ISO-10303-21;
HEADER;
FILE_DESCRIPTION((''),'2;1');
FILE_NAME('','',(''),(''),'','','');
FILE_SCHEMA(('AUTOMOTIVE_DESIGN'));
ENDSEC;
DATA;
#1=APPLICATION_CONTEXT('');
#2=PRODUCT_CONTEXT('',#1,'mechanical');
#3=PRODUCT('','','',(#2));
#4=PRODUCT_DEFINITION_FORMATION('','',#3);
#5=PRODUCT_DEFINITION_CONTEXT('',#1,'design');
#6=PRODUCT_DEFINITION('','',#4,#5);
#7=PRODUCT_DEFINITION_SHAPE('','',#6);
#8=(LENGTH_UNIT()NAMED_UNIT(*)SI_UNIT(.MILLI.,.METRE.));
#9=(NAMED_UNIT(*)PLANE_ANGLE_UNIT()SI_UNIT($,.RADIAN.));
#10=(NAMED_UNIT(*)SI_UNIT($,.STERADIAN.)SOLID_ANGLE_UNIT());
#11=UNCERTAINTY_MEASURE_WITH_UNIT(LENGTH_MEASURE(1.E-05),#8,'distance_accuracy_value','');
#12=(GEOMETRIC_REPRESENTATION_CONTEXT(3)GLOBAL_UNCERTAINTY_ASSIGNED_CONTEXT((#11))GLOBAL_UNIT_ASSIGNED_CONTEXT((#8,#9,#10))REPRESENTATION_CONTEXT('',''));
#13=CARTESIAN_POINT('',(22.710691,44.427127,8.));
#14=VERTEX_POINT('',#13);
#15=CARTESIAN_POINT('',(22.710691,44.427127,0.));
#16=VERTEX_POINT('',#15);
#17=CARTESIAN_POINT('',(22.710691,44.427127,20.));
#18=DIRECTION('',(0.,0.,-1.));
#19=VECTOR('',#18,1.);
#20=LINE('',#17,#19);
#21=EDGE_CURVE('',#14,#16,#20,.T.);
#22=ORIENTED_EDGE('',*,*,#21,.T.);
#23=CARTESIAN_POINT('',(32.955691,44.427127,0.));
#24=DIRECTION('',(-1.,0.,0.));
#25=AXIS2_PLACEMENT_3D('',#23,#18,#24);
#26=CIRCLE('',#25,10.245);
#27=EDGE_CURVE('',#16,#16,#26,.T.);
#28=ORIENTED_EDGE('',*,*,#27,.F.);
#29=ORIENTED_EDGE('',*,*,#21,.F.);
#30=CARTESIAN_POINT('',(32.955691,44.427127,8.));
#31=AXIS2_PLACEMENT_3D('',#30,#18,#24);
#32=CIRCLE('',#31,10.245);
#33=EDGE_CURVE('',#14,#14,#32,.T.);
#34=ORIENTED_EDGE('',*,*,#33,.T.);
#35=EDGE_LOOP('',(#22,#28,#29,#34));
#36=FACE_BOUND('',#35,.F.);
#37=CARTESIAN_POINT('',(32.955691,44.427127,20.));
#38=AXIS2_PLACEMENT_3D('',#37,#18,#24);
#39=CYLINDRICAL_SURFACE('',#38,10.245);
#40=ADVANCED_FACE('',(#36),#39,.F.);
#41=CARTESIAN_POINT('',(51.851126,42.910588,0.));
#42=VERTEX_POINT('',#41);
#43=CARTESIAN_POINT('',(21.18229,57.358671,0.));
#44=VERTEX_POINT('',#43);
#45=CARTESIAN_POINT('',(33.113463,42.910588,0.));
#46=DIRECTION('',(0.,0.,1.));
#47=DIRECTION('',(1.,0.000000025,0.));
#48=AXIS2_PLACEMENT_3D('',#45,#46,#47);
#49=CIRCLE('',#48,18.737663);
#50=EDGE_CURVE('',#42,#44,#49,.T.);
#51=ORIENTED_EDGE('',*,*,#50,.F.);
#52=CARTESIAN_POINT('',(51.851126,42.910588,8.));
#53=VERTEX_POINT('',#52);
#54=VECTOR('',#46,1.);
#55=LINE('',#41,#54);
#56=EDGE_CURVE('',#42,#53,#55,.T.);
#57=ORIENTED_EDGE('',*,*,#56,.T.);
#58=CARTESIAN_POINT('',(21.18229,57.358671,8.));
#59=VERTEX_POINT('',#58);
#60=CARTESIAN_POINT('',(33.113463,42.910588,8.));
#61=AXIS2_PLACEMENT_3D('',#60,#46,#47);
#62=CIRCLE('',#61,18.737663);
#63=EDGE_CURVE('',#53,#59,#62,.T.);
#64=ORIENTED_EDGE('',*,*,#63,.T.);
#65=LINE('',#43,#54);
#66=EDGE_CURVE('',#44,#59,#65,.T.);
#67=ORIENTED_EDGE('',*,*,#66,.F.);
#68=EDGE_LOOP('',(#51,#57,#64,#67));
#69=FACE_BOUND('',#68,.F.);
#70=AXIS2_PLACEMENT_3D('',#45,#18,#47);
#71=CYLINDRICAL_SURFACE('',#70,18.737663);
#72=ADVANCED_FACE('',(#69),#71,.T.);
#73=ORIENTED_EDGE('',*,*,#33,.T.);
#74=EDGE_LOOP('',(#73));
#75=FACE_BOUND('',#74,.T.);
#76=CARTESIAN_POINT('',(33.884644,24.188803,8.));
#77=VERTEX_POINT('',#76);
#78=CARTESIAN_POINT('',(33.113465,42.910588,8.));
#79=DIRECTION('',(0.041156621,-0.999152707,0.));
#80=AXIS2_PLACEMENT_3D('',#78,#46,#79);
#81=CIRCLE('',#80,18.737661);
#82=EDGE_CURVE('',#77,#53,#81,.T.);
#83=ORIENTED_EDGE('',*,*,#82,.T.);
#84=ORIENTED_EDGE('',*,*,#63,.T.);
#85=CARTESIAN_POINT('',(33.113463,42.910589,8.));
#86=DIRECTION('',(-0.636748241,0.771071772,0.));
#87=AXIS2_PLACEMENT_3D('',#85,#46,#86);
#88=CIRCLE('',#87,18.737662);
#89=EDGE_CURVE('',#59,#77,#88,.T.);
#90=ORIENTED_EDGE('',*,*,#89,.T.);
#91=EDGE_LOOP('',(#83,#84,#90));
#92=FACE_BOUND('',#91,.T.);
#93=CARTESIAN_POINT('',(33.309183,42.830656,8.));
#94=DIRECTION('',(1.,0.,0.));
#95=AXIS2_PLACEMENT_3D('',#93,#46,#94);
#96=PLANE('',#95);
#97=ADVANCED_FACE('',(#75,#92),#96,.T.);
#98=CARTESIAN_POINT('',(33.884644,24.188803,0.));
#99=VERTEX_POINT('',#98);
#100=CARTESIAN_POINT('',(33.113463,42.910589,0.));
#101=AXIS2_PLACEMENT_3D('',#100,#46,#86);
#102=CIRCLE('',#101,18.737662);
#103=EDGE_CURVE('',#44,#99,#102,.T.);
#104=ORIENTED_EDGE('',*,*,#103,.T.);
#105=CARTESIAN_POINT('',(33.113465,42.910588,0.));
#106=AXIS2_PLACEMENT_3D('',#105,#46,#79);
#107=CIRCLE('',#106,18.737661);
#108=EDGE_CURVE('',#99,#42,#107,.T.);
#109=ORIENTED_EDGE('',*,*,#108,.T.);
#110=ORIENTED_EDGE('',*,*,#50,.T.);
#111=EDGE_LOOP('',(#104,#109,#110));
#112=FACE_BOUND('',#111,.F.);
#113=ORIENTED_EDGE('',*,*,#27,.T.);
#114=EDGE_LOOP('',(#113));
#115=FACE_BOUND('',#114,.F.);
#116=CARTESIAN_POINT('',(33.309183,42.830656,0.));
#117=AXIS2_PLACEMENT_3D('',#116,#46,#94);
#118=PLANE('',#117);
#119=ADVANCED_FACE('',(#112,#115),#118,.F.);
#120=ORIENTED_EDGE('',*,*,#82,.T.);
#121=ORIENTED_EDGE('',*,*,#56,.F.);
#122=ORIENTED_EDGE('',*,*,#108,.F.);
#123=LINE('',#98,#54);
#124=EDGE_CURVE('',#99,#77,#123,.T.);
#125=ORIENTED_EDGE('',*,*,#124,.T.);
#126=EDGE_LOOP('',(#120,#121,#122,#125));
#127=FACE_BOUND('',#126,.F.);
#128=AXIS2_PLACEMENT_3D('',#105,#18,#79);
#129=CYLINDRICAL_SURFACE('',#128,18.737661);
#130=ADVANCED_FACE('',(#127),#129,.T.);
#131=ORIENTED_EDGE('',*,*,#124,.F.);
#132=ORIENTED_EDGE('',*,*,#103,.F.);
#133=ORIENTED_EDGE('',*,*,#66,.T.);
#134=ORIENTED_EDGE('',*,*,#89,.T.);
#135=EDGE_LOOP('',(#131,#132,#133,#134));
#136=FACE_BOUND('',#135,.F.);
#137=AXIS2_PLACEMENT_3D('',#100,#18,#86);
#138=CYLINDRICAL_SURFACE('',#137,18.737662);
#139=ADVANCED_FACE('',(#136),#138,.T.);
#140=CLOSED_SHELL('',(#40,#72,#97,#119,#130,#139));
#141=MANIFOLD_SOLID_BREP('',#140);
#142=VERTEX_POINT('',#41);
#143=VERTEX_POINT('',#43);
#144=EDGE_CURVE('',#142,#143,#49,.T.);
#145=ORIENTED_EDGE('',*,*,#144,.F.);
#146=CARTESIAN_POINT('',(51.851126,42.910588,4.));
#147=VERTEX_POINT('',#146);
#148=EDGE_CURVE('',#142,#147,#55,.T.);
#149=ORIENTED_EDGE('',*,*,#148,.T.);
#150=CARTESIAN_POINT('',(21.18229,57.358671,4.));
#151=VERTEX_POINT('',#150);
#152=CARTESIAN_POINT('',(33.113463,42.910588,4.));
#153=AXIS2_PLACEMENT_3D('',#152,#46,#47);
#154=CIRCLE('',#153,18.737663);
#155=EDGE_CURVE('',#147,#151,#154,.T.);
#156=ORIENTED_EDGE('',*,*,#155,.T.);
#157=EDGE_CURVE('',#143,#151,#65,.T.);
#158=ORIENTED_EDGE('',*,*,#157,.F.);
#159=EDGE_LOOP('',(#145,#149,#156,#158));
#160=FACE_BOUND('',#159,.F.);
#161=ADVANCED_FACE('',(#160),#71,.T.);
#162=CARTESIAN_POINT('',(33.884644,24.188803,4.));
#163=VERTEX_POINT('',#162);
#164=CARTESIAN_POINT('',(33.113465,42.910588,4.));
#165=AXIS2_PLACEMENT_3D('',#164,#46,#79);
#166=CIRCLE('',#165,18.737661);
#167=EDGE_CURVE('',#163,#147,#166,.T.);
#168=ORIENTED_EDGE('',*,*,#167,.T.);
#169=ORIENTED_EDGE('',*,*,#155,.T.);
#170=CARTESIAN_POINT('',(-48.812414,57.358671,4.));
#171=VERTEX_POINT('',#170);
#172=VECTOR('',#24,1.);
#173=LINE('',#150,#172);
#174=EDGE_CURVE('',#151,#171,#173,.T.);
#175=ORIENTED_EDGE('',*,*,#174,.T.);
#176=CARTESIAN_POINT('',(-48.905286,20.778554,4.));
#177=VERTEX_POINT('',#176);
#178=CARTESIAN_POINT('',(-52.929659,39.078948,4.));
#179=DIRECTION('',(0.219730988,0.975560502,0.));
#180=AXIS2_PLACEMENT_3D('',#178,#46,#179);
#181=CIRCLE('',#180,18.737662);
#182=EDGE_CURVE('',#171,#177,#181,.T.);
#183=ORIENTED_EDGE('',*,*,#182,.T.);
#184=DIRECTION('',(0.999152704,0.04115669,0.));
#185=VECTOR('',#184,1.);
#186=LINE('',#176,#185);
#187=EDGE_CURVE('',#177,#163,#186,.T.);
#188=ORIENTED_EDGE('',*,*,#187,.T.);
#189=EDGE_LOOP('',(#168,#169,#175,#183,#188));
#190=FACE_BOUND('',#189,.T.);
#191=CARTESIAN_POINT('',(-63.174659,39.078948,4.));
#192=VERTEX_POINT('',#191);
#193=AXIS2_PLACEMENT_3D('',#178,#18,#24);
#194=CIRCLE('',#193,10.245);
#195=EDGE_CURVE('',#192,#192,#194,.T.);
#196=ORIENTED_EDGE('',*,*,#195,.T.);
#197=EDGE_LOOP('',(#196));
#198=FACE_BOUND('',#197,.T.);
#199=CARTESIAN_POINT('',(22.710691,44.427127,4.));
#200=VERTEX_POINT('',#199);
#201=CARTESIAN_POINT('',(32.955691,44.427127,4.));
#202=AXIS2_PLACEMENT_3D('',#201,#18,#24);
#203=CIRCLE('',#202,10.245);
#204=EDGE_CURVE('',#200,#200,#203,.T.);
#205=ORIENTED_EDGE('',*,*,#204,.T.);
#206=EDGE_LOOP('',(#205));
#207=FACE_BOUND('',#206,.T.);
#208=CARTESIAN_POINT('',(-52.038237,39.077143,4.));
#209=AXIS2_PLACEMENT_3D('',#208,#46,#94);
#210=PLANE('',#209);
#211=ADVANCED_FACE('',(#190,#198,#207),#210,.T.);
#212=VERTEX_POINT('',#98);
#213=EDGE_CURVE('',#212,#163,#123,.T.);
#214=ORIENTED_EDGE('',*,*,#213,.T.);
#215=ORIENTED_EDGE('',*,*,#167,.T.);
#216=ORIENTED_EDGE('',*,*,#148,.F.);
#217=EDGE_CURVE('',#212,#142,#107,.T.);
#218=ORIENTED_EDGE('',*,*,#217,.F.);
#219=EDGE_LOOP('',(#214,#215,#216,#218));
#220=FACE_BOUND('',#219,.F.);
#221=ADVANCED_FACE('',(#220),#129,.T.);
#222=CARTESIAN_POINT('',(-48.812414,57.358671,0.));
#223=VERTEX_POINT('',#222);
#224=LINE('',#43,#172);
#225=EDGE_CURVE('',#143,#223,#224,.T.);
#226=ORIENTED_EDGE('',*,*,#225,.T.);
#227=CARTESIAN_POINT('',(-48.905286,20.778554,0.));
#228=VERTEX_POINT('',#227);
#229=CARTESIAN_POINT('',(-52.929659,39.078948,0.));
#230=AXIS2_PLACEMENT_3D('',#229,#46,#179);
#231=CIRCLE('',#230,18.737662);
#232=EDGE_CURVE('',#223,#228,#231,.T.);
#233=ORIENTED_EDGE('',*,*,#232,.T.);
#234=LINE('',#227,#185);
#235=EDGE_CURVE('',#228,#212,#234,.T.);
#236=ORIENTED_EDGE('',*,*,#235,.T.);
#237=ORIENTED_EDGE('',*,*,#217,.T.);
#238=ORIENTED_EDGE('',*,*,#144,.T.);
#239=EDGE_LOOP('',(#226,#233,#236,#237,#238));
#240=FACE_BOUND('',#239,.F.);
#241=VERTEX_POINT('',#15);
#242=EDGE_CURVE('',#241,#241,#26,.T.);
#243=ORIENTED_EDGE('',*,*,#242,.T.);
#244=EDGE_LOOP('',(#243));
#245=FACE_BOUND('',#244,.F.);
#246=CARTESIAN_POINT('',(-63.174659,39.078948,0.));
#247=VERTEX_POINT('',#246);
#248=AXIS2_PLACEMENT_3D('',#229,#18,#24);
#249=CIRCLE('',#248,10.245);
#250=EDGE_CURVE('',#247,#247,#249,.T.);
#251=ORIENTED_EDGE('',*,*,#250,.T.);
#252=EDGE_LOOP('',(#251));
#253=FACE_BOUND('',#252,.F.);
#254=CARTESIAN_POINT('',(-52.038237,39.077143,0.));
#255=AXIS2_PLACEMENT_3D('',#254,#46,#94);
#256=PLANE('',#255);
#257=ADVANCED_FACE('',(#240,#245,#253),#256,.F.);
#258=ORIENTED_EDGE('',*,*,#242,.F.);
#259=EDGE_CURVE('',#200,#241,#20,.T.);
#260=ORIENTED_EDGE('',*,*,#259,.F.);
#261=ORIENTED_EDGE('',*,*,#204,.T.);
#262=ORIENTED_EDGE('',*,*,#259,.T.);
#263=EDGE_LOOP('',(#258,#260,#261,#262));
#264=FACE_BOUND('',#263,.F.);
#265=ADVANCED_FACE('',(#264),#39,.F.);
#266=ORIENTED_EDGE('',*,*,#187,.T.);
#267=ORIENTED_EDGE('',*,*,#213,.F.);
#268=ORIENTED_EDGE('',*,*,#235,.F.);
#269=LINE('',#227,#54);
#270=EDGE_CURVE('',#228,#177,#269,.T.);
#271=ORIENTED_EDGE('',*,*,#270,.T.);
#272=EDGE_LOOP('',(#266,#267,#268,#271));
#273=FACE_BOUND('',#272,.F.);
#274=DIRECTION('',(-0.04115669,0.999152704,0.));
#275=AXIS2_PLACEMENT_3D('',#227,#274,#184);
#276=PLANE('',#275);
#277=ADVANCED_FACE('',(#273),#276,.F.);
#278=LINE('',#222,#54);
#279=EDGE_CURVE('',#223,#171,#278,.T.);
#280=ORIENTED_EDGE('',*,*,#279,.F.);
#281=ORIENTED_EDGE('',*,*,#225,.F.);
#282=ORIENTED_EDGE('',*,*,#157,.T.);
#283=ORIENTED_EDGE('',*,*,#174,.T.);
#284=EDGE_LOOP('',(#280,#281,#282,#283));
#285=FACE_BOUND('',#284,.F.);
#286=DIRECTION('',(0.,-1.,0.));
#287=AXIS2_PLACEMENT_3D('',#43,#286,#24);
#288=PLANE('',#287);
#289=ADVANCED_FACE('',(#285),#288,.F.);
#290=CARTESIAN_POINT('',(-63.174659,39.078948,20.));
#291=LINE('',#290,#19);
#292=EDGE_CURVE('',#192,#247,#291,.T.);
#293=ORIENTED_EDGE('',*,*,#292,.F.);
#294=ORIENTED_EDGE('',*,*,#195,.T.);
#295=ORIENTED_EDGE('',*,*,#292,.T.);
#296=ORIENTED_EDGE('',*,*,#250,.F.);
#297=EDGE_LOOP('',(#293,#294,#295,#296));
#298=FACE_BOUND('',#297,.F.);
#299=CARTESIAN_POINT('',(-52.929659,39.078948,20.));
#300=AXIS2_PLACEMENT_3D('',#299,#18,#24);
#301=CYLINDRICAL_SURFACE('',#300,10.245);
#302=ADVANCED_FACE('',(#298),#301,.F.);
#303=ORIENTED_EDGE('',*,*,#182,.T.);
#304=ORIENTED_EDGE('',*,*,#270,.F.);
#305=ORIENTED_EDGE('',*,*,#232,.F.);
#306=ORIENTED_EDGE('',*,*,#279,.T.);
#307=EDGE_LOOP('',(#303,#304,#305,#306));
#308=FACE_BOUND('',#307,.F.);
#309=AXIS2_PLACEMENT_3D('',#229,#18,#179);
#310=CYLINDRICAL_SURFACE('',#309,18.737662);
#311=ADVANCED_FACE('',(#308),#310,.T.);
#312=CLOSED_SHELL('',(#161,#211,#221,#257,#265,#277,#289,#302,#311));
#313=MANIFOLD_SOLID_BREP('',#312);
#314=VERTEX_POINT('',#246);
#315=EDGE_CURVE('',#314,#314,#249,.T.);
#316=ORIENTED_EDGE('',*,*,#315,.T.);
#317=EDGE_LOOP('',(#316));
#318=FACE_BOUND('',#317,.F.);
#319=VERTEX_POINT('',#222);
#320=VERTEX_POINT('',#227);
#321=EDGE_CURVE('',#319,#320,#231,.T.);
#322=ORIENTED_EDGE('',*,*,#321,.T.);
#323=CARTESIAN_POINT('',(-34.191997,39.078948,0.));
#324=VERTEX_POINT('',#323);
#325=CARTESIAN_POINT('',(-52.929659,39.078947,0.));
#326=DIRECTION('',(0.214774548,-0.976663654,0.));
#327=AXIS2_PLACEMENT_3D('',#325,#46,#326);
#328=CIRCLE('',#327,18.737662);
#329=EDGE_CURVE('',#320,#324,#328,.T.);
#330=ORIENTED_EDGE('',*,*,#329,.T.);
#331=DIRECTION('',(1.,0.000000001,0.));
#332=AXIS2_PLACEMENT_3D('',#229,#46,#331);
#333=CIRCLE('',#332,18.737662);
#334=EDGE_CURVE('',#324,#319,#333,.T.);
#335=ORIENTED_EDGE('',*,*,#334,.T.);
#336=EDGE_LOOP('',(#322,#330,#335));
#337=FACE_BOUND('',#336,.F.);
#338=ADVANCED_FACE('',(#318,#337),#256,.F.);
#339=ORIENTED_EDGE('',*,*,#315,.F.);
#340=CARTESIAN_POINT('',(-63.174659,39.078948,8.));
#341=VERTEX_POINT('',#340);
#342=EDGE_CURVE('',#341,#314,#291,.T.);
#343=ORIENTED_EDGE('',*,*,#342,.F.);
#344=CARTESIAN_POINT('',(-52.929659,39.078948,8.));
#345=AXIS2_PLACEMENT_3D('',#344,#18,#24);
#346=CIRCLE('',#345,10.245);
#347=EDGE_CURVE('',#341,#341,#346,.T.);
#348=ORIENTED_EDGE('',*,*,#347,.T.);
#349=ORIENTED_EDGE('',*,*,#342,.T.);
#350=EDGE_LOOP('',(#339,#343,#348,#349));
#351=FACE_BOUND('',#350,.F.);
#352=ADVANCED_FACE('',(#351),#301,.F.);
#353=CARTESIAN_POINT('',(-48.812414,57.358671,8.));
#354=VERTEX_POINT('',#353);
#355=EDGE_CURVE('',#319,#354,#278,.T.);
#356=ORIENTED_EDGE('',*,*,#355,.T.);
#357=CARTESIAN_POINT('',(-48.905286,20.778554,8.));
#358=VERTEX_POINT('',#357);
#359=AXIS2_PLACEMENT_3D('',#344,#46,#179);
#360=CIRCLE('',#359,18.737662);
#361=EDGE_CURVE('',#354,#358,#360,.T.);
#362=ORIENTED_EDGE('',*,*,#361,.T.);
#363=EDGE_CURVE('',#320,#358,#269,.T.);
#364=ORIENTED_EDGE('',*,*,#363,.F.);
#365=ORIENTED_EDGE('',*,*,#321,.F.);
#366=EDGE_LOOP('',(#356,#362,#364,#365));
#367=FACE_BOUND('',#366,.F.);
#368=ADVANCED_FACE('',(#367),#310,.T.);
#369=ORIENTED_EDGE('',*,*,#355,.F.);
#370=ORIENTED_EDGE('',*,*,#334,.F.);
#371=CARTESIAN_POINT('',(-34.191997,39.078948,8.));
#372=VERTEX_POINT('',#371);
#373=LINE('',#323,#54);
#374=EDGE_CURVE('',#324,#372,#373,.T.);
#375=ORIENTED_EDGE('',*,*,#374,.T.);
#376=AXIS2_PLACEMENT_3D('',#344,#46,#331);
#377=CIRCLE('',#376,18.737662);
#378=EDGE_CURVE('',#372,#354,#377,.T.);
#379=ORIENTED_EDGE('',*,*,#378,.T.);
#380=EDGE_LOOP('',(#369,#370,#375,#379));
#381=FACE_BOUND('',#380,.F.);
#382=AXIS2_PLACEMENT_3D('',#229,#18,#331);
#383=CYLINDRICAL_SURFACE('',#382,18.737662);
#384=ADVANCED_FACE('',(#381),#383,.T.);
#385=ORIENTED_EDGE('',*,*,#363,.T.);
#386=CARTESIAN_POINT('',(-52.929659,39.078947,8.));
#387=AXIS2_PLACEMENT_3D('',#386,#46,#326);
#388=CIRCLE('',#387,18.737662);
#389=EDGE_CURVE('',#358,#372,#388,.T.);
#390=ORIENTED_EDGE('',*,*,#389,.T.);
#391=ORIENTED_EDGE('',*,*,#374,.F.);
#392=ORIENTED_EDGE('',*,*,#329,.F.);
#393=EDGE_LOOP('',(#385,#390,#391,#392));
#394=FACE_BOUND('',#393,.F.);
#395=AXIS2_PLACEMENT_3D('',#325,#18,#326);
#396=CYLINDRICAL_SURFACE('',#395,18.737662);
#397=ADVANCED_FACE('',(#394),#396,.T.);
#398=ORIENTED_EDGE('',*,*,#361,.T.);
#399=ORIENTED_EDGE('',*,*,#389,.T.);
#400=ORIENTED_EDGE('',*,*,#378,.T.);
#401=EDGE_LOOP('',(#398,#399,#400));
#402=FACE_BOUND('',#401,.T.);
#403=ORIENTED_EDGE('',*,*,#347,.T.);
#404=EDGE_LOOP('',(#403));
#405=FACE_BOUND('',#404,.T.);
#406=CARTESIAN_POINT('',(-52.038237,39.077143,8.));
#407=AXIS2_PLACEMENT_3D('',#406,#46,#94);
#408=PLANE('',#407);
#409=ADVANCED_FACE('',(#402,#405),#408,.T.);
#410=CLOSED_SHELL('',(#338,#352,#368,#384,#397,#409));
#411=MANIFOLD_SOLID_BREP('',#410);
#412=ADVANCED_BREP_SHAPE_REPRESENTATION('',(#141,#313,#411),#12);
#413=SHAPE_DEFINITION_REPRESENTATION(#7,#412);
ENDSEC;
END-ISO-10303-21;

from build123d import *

# Parameters (mm, degrees)
F1_DEPTH   = 8
F2_DEPTH   = 4
F4_D       = 20.49
F4_DEPTH   = 12
F4_2_D     = 20.49
F4_2_DEPTH = 12


with BuildPart() as f1:
    # F0 (on Top) → F1 (new body)
    with BuildSketch(Plane.XY):
        with BuildLine():
            ThreePointArc((-48.905286, 20.778554), (-38.326452, 27.33815), (-34.191997, 39.078948))
            ThreePointArc((-34.191997, 39.078948), (-38.29669, 50.782631), (-48.812414, 57.358671))
            ThreePointArc((-48.812414, 57.358671), (-71.667261, 39.12652), (-48.905286, 20.778554))
        make_face()
        with BuildLine():
            ThreePointArc((51.851126, 42.910588), (41.099003, 59.861433), (21.18229, 57.358671))
            ThreePointArc((21.18229, 57.358671), (15.614995, 36.209575), (33.884644, 24.188803))
            ThreePointArc((33.884644, 24.188803), (46.632896, 29.936578), (51.851126, 42.910588))
        make_face()
    extrude(amount=F1_DEPTH)

    # F4
    with Locations(Plane.XY.offset(8)):
        with Locations((-52.929659, 39.078948), (32.955691, 44.427127)):
            Hole(F4_D / 2, depth=F4_DEPTH)


with BuildPart() as f2:
    # F0 (on Top) → F2 (new body)
    with BuildSketch(Plane.XY):
        with BuildLine():
            ThreePointArc((-48.905286, 20.778554), (-38.326452, 27.33815), (-34.191997, 39.078948))
            ThreePointArc((-34.191997, 39.078948), (-38.29669, 50.782631), (-48.812414, 57.358671))
            ThreePointArc((-48.812414, 57.358671), (-71.667261, 39.12652), (-48.905286, 20.778554))
        make_face()
        with BuildLine():
            ThreePointArc((-48.812414, 57.358671), (-38.29669, 50.782631), (-34.191997, 39.078948))
            ThreePointArc((-34.191997, 39.078948), (-38.326452, 27.33815), (-48.905286, 20.778554))
            Line((-48.905286, 20.778554), (33.884644, 24.188803))
            ThreePointArc((33.884644, 24.188803), (15.614995, 36.209575), (21.18229, 57.358671))
            Line((21.18229, 57.358671), (-48.812414, 57.358671))
        make_face()
        with BuildLine():
            ThreePointArc((51.851126, 42.910588), (41.099003, 59.861433), (21.18229, 57.358671))
            ThreePointArc((21.18229, 57.358671), (15.614995, 36.209575), (33.884644, 24.188803))
            ThreePointArc((33.884644, 24.188803), (46.632896, 29.936578), (51.851126, 42.910588))
        make_face()
    extrude(amount=F2_DEPTH)

    # F4#2
    with Locations(Plane.XY.offset(8)):
        with Locations((-52.929659, 39.078948), (32.955691, 44.427127)):
            Hole(F4_2_D / 2, depth=F4_2_DEPTH)


solid = Compound([f1.part, f2.part])
